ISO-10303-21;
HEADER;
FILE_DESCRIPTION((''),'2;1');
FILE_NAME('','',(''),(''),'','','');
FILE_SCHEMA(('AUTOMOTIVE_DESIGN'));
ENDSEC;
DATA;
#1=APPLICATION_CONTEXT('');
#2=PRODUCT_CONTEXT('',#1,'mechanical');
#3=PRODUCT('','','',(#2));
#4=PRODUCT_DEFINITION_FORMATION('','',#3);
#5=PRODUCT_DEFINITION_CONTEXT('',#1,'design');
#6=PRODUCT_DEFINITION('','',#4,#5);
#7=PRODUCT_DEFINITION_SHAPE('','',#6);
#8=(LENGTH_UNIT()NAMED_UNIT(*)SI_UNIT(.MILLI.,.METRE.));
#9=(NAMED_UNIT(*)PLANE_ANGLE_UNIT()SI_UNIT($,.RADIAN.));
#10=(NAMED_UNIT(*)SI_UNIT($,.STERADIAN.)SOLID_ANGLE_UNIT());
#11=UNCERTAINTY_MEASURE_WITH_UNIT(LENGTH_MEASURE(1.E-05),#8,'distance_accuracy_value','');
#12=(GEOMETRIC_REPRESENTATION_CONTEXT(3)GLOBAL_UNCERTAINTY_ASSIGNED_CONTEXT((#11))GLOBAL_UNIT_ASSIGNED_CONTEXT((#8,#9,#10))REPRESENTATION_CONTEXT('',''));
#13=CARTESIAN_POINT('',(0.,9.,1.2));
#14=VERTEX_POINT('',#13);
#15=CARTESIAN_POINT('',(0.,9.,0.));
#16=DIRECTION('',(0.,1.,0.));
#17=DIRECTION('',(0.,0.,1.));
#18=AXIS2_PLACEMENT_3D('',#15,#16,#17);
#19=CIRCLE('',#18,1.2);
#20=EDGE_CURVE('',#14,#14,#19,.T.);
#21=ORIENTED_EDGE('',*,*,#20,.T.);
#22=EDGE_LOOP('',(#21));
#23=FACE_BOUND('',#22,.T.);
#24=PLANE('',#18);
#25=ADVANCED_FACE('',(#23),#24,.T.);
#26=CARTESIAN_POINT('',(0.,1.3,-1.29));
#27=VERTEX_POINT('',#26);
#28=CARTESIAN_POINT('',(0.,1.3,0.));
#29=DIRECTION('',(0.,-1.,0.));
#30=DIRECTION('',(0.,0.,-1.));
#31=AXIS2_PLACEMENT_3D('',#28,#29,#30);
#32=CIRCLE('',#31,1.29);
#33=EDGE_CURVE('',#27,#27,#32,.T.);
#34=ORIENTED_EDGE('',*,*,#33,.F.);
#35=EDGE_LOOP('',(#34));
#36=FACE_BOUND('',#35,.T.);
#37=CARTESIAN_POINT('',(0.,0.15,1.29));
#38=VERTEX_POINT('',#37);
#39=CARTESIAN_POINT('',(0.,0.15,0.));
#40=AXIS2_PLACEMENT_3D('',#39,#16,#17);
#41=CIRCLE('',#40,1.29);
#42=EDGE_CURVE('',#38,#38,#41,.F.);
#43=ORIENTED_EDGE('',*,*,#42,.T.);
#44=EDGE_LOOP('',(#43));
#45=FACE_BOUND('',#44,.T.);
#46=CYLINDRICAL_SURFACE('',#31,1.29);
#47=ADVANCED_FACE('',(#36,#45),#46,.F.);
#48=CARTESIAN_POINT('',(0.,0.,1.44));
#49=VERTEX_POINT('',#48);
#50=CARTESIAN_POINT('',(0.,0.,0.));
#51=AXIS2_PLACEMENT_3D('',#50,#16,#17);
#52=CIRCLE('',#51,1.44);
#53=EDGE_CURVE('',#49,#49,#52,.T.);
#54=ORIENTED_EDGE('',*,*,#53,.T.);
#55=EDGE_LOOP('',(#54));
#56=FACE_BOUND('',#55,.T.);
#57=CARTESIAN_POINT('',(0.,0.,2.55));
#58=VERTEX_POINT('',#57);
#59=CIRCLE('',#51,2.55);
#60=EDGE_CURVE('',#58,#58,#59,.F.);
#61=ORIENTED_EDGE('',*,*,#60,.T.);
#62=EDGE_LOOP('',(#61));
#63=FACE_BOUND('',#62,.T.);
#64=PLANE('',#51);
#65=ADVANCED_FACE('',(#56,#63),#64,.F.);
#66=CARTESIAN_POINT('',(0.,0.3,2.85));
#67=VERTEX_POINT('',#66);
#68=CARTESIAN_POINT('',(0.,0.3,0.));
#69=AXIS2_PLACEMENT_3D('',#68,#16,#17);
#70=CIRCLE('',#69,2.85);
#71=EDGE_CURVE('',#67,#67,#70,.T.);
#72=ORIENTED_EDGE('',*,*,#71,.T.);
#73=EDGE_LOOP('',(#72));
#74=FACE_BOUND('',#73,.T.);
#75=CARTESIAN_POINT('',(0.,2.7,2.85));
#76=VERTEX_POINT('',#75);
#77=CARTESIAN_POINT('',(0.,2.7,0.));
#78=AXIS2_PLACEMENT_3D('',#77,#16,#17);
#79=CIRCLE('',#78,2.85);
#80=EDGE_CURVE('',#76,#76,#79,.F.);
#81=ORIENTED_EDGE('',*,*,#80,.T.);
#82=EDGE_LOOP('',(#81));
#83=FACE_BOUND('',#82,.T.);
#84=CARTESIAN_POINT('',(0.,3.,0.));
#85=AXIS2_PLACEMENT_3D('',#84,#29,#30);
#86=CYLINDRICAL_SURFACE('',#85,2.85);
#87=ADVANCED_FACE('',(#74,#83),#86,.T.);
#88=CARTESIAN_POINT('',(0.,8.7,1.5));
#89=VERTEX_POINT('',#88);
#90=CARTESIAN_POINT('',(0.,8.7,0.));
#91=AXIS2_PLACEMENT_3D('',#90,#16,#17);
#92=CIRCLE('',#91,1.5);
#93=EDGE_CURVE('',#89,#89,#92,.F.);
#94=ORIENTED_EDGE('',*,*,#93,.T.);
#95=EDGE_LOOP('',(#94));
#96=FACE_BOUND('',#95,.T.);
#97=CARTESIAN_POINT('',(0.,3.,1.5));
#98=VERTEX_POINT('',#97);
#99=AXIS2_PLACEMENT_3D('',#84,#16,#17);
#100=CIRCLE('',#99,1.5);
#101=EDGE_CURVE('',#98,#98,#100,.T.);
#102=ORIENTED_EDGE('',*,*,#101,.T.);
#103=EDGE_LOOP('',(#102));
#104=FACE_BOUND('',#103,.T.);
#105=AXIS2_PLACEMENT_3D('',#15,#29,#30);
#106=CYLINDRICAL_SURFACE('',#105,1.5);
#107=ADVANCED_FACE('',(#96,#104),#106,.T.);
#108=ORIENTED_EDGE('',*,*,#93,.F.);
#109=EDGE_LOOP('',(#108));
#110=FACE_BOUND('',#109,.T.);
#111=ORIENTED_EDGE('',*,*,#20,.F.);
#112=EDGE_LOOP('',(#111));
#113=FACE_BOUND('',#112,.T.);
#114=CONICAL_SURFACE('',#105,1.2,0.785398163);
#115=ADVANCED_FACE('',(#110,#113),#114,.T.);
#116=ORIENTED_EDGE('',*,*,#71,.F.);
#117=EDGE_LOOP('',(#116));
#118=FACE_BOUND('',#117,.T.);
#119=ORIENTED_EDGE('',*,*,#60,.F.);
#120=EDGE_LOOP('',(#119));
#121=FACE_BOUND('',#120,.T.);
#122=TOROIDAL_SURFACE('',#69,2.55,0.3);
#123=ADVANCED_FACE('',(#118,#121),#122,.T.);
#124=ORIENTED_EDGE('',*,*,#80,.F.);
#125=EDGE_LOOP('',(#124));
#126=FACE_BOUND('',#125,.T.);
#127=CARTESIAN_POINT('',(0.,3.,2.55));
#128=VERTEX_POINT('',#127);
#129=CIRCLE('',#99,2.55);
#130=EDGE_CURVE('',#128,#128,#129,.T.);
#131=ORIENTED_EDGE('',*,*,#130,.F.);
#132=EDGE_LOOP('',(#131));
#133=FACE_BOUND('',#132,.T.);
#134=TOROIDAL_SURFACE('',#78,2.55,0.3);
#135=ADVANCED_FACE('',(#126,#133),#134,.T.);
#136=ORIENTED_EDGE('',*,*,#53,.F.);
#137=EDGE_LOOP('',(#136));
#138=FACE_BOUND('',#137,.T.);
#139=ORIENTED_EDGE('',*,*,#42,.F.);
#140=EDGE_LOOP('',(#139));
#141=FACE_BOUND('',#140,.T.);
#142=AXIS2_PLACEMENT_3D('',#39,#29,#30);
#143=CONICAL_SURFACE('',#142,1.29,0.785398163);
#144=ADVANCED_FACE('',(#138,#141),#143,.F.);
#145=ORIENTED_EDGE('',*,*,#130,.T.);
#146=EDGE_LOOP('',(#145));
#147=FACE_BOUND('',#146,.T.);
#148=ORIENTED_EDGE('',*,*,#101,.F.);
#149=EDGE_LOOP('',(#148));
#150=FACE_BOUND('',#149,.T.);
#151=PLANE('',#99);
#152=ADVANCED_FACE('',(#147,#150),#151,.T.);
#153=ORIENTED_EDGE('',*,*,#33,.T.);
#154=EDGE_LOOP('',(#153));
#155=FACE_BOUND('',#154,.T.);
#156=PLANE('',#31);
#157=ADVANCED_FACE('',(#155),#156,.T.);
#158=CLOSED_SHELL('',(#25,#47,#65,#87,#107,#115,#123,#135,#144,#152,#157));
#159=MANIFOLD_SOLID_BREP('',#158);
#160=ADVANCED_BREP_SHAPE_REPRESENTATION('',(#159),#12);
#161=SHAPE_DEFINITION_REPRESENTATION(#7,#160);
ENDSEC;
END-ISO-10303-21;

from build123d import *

# Parameters (mm, degrees)
SKETCH_1_R          = 2.85
EXTRUDE_1_DEPTH     = 3
SKETCH_2_R          = 1.5
EXTRUDE_2_DEPTH     = 6
SKETCH_3_R          = 1.29
CUT_EXTRUDE_1_DEPTH = 1.3
FILLET_1_R          = 0.3
CHAMFER_1_SIZE      = 0.3
CHAMFER_2_SIZE      = 0.15


with BuildPart() as part:
    # 草图1 → 凸台-拉伸1 (new body)
    with BuildSketch(Plane(origin=(0, 0, 0), x_dir=(1, 0, 0), z_dir=(0, 1, 0))):
        with Locations(Location((0, 0, 0), (0, 0, 270))):
            Circle(SKETCH_1_R)
    extrude(amount=EXTRUDE_1_DEPTH)

    # 草图2 → 凸台-拉伸2 (add)
    with BuildSketch(Plane(origin=(0, 3, 0), x_dir=(1, 0, 0), z_dir=(0, 1, 0))):
        with Locations(Location((0, 0, 0), (0, 0, 270))):
            Circle(SKETCH_2_R)
    extrude(amount=EXTRUDE_2_DEPTH)

    # 草图3 → 切除-拉伸1 (cut)
    with BuildSketch(Plane.XZ):
        with Locations(Location((0, 0, 0), (0, 0, 270))):
            Circle(SKETCH_3_R)
    extrude(amount=-CUT_EXTRUDE_1_DEPTH, mode=Mode.SUBTRACT)

    # 圆角1
    fillet_1_edges = [part.edges().sort_by_distance(p)[0] for p in [
        (0, 0, -2.85),
        (0, 3, -2.85),
    ]]
    fillet(fillet_1_edges, radius=FILLET_1_R)

    # 倒角1
    chamfer_1_edges = [part.edges().sort_by_distance(p)[0] for p in [
        (0, 9, -1.5),
    ]]
    chamfer(chamfer_1_edges, length=CHAMFER_1_SIZE)

    # 倒角2
    chamfer_2_edges = [part.edges().sort_by_distance(p)[0] for p in [
        (0, 0, 1.29),
    ]]
    chamfer(chamfer_2_edges, length=CHAMFER_2_SIZE)


solid = part.part
